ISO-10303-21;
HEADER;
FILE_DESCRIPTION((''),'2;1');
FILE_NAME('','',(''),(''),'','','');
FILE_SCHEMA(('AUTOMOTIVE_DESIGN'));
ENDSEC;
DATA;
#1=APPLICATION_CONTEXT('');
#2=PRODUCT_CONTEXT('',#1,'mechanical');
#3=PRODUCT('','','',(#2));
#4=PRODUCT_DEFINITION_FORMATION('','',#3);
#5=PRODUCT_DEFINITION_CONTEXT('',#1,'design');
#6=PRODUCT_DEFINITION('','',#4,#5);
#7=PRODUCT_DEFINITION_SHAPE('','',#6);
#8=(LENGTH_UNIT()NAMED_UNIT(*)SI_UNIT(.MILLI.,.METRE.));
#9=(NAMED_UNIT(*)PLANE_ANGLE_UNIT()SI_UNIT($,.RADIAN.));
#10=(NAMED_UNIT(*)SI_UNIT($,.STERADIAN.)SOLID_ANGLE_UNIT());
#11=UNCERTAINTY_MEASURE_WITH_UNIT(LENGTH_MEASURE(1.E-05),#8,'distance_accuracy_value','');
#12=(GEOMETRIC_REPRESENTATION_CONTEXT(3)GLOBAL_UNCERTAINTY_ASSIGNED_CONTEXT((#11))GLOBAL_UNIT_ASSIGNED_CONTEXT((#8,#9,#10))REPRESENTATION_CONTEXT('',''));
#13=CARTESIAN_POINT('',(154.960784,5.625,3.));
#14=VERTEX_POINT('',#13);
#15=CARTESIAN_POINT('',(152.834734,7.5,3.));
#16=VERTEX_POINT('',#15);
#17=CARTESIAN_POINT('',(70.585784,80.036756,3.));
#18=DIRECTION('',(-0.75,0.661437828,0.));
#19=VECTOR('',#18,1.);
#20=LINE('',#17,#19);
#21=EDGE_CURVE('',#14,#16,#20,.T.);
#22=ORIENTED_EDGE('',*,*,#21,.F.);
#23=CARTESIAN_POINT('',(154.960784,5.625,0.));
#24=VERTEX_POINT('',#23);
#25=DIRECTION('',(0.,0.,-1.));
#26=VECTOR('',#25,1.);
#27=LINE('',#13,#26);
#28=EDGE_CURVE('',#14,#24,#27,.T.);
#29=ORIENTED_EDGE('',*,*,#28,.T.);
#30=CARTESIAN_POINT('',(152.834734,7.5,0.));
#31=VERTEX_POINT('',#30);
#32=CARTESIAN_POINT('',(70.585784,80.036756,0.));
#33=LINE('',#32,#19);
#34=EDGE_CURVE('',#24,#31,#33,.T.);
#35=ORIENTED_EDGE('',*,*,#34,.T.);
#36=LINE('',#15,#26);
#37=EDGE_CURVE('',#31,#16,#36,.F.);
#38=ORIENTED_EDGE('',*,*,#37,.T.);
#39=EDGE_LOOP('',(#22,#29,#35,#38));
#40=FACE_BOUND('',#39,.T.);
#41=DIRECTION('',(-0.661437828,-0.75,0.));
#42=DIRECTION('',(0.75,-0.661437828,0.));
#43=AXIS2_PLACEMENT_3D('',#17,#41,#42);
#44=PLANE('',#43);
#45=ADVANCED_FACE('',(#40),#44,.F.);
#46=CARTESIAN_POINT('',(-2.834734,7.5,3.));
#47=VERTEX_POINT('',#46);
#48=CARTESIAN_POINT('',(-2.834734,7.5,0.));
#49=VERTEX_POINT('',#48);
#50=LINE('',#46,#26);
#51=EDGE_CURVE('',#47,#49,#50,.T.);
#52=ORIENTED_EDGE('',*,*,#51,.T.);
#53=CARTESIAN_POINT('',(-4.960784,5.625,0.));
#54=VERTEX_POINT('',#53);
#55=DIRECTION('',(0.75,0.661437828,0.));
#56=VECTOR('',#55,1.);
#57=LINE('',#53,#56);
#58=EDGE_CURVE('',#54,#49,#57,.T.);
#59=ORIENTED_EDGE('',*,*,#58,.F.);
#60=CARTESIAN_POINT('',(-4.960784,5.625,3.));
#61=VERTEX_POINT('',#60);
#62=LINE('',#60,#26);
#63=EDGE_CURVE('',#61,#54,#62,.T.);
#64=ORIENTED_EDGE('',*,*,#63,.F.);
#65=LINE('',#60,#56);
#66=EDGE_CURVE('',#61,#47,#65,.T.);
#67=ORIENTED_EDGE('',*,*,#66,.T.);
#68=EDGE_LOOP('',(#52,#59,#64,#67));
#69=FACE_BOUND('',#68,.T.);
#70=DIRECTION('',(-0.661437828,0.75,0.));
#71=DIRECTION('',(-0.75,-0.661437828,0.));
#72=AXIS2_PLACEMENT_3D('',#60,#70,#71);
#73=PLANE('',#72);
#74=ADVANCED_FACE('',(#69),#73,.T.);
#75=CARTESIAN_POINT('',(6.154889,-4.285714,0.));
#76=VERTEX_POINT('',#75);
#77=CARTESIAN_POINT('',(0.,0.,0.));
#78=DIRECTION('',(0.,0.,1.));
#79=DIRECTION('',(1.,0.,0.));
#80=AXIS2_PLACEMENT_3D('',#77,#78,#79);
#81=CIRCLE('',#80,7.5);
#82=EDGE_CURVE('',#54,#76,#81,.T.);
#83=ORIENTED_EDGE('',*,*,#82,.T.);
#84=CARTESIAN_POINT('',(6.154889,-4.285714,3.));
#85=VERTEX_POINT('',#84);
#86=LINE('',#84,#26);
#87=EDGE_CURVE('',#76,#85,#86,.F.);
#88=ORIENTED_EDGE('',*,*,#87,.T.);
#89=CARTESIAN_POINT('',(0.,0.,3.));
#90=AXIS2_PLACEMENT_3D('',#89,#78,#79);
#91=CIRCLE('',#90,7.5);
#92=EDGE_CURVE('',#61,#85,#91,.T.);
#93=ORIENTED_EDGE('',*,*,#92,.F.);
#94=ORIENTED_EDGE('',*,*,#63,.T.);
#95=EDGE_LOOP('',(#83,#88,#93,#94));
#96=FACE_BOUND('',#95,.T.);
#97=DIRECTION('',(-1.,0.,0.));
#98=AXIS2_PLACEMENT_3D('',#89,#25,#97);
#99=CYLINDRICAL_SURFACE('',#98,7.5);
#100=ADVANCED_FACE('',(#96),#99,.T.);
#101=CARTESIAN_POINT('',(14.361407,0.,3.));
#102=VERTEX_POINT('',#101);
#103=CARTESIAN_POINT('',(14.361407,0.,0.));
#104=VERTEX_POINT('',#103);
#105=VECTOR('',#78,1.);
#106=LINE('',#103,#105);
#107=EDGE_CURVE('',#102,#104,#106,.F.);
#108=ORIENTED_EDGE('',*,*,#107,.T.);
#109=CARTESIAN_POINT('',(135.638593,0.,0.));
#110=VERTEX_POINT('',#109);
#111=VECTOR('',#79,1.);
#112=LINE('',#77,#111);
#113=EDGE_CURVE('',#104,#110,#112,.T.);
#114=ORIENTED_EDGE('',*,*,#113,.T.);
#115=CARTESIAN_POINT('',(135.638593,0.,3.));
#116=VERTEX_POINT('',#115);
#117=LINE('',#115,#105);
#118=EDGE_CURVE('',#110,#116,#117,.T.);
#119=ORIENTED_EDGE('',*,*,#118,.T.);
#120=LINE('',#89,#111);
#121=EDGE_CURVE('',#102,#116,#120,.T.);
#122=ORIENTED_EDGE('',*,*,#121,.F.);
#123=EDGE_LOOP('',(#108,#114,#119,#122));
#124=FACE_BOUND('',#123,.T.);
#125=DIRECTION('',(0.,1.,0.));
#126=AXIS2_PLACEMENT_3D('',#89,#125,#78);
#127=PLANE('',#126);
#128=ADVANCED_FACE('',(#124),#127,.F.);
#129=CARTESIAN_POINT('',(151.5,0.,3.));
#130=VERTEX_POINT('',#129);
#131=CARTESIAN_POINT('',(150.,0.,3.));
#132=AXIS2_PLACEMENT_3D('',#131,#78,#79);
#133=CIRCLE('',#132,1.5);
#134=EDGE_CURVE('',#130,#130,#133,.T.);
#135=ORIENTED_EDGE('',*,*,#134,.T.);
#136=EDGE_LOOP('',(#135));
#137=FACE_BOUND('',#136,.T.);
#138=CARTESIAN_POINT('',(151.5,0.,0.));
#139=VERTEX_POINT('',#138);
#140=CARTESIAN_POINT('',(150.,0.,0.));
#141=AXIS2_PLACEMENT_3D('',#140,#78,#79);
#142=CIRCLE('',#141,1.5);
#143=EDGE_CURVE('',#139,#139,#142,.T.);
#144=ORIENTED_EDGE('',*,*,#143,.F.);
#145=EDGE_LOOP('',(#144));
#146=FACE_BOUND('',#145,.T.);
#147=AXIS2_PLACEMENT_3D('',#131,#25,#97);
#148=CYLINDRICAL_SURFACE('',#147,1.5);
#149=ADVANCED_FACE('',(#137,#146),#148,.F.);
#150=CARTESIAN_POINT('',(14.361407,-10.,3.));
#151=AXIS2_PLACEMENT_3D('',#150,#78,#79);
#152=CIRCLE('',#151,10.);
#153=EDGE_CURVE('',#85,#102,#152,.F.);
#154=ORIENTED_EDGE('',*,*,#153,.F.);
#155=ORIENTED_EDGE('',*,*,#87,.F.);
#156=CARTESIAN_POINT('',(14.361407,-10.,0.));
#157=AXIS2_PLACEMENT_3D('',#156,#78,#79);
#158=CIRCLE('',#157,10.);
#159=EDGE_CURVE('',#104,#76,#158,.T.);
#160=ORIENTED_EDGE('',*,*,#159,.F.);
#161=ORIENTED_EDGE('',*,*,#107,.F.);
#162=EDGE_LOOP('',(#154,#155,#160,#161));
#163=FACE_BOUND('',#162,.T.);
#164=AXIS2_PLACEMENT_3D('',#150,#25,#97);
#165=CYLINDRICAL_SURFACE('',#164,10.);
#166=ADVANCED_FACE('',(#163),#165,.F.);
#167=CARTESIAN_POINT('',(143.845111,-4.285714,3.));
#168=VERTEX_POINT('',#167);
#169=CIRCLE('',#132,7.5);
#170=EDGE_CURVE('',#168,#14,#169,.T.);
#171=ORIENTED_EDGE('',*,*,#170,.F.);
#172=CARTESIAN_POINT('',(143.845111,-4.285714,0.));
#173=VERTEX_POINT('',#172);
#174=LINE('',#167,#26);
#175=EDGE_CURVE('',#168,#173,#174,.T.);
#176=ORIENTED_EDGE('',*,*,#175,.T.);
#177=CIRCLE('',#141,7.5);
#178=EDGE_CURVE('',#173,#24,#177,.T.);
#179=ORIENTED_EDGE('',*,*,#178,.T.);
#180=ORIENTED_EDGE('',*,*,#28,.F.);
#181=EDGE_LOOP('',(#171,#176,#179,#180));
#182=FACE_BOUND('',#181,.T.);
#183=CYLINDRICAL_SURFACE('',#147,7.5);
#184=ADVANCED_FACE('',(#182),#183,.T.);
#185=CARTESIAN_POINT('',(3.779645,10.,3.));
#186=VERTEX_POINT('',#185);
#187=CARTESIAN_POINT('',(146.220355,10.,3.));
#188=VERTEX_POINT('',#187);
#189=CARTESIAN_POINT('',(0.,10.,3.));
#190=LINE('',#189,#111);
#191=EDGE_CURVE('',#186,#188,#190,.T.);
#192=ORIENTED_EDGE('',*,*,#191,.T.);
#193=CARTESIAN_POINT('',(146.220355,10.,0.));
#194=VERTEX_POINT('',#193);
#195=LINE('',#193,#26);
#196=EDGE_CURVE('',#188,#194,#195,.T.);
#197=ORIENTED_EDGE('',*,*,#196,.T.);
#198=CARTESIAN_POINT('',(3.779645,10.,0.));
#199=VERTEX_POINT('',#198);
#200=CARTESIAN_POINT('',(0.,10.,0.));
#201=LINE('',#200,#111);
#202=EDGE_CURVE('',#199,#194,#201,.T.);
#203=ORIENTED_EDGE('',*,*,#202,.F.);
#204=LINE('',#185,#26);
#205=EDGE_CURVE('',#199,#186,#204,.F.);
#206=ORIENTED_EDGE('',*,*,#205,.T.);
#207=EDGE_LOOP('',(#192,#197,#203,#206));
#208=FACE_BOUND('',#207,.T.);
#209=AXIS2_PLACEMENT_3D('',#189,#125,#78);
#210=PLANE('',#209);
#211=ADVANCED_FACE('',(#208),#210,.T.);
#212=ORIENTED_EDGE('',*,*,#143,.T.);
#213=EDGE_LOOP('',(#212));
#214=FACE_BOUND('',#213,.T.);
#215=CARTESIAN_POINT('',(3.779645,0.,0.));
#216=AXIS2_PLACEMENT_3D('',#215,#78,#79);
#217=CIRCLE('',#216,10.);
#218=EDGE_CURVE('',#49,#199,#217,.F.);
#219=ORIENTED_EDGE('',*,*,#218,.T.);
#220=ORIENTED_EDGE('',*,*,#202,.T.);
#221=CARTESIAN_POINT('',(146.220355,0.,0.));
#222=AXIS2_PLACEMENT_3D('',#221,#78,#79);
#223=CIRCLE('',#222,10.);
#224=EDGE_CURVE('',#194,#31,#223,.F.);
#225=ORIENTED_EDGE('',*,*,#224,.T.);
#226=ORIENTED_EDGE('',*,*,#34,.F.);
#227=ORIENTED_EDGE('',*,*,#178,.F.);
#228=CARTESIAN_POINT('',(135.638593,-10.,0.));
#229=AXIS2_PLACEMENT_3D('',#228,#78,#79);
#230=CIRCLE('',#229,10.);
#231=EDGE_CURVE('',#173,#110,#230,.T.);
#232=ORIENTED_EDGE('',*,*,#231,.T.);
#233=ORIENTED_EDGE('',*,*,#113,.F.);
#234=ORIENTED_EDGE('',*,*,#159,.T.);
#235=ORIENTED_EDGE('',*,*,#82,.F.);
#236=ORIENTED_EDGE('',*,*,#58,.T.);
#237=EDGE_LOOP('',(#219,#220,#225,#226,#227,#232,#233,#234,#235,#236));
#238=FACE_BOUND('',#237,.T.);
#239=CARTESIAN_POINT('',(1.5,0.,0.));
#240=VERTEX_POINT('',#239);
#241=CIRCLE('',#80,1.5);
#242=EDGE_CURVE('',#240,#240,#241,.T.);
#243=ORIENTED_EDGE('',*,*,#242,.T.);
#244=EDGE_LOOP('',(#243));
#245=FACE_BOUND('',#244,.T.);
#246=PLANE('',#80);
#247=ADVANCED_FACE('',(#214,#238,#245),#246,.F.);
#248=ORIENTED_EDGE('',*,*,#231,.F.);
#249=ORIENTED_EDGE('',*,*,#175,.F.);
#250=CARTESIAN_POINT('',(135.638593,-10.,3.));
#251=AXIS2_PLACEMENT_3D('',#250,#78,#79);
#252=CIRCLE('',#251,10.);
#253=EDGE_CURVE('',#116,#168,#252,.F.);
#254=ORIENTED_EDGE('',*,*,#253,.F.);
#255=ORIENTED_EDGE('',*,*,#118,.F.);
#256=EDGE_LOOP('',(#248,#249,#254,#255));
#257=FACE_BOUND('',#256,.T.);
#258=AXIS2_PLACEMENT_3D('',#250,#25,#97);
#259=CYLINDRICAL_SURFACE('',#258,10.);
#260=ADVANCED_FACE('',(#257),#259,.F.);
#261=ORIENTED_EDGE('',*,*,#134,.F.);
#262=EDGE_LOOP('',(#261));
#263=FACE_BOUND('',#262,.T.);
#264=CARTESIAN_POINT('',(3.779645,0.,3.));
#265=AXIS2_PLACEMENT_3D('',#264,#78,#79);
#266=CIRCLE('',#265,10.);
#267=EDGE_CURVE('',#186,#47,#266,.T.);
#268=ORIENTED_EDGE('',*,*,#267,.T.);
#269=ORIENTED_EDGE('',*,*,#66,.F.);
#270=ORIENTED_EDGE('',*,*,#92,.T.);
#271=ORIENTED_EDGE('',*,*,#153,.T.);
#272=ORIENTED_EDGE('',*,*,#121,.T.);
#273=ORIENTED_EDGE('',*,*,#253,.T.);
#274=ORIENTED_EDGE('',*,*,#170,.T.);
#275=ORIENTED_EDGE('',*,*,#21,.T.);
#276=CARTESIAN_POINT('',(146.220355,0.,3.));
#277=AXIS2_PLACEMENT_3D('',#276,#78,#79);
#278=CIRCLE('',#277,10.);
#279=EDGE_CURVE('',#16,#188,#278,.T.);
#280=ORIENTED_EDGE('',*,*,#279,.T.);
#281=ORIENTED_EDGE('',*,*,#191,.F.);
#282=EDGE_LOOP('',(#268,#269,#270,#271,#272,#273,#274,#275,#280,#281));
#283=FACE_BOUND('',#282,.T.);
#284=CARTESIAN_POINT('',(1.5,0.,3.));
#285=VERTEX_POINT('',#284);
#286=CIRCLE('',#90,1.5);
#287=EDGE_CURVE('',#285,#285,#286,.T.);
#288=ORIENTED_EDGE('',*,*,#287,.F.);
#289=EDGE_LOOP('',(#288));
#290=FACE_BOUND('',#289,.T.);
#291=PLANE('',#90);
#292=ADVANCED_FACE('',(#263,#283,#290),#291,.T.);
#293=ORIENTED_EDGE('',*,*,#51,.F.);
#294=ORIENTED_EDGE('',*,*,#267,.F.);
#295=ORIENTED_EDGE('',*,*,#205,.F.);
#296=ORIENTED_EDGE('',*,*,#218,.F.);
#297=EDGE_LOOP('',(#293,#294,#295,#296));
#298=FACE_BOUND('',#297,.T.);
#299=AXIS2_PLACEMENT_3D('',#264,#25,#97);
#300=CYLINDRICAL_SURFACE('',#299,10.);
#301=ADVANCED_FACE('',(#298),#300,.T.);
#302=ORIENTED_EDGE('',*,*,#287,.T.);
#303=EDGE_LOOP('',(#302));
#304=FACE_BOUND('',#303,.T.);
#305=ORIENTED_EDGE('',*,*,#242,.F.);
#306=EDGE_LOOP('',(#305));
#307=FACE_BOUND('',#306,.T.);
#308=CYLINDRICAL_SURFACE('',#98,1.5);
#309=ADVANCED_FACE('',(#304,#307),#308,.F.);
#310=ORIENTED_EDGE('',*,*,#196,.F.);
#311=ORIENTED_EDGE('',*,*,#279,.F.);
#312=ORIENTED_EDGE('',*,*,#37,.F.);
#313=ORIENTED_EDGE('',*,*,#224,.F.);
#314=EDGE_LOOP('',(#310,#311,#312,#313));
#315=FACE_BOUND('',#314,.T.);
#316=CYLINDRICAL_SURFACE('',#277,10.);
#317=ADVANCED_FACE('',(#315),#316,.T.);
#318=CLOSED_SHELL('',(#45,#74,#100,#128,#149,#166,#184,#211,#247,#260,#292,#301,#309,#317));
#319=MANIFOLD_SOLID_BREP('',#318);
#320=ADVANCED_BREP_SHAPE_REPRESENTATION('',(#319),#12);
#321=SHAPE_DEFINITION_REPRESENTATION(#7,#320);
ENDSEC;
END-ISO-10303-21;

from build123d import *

# Parameters (mm, degrees)
SKETCH1_R           = 1.5
BOSS_EXTRUDE1_DEPTH = 3
FILLET1_R           = 10


with BuildPart() as part:
    # Sketch1 → Boss-Extrude1 (new body)
    with BuildSketch(Plane.XY):
        with BuildLine():
            Line((0, 10), (-4.960783708, 5.625))
            ThreePointArc((-4.960783708, 5.625), (-3.085783708, -6.835783708), (7.5, 0))
            Line((7.5, 0), (142.5, 0))
            ThreePointArc((142.5, 0), (153.085783708, -6.835783708), (154.960783708, 5.625))
            Line((154.960783708, 5.625), (150, 10))
            Line((150, 10), (0, 10))
        make_face()
        Circle(SKETCH1_R, mode=Mode.SUBTRACT)
        with Locations((150, 0)):
            Circle(SKETCH1_R, mode=Mode.SUBTRACT)
    extrude(amount=BOSS_EXTRUDE1_DEPTH)

    # Fillet1
    fillet1_edges = [part.edges().sort_by_distance(p)[0] for p in [
        (7.5, 0, 1.5),
        (0, 10, 1.5),
        (150, 10, 1.5),
        (142.5, 0, 1.5),
    ]]
    fillet(fillet1_edges, radius=FILLET1_R)


solid = part.part
